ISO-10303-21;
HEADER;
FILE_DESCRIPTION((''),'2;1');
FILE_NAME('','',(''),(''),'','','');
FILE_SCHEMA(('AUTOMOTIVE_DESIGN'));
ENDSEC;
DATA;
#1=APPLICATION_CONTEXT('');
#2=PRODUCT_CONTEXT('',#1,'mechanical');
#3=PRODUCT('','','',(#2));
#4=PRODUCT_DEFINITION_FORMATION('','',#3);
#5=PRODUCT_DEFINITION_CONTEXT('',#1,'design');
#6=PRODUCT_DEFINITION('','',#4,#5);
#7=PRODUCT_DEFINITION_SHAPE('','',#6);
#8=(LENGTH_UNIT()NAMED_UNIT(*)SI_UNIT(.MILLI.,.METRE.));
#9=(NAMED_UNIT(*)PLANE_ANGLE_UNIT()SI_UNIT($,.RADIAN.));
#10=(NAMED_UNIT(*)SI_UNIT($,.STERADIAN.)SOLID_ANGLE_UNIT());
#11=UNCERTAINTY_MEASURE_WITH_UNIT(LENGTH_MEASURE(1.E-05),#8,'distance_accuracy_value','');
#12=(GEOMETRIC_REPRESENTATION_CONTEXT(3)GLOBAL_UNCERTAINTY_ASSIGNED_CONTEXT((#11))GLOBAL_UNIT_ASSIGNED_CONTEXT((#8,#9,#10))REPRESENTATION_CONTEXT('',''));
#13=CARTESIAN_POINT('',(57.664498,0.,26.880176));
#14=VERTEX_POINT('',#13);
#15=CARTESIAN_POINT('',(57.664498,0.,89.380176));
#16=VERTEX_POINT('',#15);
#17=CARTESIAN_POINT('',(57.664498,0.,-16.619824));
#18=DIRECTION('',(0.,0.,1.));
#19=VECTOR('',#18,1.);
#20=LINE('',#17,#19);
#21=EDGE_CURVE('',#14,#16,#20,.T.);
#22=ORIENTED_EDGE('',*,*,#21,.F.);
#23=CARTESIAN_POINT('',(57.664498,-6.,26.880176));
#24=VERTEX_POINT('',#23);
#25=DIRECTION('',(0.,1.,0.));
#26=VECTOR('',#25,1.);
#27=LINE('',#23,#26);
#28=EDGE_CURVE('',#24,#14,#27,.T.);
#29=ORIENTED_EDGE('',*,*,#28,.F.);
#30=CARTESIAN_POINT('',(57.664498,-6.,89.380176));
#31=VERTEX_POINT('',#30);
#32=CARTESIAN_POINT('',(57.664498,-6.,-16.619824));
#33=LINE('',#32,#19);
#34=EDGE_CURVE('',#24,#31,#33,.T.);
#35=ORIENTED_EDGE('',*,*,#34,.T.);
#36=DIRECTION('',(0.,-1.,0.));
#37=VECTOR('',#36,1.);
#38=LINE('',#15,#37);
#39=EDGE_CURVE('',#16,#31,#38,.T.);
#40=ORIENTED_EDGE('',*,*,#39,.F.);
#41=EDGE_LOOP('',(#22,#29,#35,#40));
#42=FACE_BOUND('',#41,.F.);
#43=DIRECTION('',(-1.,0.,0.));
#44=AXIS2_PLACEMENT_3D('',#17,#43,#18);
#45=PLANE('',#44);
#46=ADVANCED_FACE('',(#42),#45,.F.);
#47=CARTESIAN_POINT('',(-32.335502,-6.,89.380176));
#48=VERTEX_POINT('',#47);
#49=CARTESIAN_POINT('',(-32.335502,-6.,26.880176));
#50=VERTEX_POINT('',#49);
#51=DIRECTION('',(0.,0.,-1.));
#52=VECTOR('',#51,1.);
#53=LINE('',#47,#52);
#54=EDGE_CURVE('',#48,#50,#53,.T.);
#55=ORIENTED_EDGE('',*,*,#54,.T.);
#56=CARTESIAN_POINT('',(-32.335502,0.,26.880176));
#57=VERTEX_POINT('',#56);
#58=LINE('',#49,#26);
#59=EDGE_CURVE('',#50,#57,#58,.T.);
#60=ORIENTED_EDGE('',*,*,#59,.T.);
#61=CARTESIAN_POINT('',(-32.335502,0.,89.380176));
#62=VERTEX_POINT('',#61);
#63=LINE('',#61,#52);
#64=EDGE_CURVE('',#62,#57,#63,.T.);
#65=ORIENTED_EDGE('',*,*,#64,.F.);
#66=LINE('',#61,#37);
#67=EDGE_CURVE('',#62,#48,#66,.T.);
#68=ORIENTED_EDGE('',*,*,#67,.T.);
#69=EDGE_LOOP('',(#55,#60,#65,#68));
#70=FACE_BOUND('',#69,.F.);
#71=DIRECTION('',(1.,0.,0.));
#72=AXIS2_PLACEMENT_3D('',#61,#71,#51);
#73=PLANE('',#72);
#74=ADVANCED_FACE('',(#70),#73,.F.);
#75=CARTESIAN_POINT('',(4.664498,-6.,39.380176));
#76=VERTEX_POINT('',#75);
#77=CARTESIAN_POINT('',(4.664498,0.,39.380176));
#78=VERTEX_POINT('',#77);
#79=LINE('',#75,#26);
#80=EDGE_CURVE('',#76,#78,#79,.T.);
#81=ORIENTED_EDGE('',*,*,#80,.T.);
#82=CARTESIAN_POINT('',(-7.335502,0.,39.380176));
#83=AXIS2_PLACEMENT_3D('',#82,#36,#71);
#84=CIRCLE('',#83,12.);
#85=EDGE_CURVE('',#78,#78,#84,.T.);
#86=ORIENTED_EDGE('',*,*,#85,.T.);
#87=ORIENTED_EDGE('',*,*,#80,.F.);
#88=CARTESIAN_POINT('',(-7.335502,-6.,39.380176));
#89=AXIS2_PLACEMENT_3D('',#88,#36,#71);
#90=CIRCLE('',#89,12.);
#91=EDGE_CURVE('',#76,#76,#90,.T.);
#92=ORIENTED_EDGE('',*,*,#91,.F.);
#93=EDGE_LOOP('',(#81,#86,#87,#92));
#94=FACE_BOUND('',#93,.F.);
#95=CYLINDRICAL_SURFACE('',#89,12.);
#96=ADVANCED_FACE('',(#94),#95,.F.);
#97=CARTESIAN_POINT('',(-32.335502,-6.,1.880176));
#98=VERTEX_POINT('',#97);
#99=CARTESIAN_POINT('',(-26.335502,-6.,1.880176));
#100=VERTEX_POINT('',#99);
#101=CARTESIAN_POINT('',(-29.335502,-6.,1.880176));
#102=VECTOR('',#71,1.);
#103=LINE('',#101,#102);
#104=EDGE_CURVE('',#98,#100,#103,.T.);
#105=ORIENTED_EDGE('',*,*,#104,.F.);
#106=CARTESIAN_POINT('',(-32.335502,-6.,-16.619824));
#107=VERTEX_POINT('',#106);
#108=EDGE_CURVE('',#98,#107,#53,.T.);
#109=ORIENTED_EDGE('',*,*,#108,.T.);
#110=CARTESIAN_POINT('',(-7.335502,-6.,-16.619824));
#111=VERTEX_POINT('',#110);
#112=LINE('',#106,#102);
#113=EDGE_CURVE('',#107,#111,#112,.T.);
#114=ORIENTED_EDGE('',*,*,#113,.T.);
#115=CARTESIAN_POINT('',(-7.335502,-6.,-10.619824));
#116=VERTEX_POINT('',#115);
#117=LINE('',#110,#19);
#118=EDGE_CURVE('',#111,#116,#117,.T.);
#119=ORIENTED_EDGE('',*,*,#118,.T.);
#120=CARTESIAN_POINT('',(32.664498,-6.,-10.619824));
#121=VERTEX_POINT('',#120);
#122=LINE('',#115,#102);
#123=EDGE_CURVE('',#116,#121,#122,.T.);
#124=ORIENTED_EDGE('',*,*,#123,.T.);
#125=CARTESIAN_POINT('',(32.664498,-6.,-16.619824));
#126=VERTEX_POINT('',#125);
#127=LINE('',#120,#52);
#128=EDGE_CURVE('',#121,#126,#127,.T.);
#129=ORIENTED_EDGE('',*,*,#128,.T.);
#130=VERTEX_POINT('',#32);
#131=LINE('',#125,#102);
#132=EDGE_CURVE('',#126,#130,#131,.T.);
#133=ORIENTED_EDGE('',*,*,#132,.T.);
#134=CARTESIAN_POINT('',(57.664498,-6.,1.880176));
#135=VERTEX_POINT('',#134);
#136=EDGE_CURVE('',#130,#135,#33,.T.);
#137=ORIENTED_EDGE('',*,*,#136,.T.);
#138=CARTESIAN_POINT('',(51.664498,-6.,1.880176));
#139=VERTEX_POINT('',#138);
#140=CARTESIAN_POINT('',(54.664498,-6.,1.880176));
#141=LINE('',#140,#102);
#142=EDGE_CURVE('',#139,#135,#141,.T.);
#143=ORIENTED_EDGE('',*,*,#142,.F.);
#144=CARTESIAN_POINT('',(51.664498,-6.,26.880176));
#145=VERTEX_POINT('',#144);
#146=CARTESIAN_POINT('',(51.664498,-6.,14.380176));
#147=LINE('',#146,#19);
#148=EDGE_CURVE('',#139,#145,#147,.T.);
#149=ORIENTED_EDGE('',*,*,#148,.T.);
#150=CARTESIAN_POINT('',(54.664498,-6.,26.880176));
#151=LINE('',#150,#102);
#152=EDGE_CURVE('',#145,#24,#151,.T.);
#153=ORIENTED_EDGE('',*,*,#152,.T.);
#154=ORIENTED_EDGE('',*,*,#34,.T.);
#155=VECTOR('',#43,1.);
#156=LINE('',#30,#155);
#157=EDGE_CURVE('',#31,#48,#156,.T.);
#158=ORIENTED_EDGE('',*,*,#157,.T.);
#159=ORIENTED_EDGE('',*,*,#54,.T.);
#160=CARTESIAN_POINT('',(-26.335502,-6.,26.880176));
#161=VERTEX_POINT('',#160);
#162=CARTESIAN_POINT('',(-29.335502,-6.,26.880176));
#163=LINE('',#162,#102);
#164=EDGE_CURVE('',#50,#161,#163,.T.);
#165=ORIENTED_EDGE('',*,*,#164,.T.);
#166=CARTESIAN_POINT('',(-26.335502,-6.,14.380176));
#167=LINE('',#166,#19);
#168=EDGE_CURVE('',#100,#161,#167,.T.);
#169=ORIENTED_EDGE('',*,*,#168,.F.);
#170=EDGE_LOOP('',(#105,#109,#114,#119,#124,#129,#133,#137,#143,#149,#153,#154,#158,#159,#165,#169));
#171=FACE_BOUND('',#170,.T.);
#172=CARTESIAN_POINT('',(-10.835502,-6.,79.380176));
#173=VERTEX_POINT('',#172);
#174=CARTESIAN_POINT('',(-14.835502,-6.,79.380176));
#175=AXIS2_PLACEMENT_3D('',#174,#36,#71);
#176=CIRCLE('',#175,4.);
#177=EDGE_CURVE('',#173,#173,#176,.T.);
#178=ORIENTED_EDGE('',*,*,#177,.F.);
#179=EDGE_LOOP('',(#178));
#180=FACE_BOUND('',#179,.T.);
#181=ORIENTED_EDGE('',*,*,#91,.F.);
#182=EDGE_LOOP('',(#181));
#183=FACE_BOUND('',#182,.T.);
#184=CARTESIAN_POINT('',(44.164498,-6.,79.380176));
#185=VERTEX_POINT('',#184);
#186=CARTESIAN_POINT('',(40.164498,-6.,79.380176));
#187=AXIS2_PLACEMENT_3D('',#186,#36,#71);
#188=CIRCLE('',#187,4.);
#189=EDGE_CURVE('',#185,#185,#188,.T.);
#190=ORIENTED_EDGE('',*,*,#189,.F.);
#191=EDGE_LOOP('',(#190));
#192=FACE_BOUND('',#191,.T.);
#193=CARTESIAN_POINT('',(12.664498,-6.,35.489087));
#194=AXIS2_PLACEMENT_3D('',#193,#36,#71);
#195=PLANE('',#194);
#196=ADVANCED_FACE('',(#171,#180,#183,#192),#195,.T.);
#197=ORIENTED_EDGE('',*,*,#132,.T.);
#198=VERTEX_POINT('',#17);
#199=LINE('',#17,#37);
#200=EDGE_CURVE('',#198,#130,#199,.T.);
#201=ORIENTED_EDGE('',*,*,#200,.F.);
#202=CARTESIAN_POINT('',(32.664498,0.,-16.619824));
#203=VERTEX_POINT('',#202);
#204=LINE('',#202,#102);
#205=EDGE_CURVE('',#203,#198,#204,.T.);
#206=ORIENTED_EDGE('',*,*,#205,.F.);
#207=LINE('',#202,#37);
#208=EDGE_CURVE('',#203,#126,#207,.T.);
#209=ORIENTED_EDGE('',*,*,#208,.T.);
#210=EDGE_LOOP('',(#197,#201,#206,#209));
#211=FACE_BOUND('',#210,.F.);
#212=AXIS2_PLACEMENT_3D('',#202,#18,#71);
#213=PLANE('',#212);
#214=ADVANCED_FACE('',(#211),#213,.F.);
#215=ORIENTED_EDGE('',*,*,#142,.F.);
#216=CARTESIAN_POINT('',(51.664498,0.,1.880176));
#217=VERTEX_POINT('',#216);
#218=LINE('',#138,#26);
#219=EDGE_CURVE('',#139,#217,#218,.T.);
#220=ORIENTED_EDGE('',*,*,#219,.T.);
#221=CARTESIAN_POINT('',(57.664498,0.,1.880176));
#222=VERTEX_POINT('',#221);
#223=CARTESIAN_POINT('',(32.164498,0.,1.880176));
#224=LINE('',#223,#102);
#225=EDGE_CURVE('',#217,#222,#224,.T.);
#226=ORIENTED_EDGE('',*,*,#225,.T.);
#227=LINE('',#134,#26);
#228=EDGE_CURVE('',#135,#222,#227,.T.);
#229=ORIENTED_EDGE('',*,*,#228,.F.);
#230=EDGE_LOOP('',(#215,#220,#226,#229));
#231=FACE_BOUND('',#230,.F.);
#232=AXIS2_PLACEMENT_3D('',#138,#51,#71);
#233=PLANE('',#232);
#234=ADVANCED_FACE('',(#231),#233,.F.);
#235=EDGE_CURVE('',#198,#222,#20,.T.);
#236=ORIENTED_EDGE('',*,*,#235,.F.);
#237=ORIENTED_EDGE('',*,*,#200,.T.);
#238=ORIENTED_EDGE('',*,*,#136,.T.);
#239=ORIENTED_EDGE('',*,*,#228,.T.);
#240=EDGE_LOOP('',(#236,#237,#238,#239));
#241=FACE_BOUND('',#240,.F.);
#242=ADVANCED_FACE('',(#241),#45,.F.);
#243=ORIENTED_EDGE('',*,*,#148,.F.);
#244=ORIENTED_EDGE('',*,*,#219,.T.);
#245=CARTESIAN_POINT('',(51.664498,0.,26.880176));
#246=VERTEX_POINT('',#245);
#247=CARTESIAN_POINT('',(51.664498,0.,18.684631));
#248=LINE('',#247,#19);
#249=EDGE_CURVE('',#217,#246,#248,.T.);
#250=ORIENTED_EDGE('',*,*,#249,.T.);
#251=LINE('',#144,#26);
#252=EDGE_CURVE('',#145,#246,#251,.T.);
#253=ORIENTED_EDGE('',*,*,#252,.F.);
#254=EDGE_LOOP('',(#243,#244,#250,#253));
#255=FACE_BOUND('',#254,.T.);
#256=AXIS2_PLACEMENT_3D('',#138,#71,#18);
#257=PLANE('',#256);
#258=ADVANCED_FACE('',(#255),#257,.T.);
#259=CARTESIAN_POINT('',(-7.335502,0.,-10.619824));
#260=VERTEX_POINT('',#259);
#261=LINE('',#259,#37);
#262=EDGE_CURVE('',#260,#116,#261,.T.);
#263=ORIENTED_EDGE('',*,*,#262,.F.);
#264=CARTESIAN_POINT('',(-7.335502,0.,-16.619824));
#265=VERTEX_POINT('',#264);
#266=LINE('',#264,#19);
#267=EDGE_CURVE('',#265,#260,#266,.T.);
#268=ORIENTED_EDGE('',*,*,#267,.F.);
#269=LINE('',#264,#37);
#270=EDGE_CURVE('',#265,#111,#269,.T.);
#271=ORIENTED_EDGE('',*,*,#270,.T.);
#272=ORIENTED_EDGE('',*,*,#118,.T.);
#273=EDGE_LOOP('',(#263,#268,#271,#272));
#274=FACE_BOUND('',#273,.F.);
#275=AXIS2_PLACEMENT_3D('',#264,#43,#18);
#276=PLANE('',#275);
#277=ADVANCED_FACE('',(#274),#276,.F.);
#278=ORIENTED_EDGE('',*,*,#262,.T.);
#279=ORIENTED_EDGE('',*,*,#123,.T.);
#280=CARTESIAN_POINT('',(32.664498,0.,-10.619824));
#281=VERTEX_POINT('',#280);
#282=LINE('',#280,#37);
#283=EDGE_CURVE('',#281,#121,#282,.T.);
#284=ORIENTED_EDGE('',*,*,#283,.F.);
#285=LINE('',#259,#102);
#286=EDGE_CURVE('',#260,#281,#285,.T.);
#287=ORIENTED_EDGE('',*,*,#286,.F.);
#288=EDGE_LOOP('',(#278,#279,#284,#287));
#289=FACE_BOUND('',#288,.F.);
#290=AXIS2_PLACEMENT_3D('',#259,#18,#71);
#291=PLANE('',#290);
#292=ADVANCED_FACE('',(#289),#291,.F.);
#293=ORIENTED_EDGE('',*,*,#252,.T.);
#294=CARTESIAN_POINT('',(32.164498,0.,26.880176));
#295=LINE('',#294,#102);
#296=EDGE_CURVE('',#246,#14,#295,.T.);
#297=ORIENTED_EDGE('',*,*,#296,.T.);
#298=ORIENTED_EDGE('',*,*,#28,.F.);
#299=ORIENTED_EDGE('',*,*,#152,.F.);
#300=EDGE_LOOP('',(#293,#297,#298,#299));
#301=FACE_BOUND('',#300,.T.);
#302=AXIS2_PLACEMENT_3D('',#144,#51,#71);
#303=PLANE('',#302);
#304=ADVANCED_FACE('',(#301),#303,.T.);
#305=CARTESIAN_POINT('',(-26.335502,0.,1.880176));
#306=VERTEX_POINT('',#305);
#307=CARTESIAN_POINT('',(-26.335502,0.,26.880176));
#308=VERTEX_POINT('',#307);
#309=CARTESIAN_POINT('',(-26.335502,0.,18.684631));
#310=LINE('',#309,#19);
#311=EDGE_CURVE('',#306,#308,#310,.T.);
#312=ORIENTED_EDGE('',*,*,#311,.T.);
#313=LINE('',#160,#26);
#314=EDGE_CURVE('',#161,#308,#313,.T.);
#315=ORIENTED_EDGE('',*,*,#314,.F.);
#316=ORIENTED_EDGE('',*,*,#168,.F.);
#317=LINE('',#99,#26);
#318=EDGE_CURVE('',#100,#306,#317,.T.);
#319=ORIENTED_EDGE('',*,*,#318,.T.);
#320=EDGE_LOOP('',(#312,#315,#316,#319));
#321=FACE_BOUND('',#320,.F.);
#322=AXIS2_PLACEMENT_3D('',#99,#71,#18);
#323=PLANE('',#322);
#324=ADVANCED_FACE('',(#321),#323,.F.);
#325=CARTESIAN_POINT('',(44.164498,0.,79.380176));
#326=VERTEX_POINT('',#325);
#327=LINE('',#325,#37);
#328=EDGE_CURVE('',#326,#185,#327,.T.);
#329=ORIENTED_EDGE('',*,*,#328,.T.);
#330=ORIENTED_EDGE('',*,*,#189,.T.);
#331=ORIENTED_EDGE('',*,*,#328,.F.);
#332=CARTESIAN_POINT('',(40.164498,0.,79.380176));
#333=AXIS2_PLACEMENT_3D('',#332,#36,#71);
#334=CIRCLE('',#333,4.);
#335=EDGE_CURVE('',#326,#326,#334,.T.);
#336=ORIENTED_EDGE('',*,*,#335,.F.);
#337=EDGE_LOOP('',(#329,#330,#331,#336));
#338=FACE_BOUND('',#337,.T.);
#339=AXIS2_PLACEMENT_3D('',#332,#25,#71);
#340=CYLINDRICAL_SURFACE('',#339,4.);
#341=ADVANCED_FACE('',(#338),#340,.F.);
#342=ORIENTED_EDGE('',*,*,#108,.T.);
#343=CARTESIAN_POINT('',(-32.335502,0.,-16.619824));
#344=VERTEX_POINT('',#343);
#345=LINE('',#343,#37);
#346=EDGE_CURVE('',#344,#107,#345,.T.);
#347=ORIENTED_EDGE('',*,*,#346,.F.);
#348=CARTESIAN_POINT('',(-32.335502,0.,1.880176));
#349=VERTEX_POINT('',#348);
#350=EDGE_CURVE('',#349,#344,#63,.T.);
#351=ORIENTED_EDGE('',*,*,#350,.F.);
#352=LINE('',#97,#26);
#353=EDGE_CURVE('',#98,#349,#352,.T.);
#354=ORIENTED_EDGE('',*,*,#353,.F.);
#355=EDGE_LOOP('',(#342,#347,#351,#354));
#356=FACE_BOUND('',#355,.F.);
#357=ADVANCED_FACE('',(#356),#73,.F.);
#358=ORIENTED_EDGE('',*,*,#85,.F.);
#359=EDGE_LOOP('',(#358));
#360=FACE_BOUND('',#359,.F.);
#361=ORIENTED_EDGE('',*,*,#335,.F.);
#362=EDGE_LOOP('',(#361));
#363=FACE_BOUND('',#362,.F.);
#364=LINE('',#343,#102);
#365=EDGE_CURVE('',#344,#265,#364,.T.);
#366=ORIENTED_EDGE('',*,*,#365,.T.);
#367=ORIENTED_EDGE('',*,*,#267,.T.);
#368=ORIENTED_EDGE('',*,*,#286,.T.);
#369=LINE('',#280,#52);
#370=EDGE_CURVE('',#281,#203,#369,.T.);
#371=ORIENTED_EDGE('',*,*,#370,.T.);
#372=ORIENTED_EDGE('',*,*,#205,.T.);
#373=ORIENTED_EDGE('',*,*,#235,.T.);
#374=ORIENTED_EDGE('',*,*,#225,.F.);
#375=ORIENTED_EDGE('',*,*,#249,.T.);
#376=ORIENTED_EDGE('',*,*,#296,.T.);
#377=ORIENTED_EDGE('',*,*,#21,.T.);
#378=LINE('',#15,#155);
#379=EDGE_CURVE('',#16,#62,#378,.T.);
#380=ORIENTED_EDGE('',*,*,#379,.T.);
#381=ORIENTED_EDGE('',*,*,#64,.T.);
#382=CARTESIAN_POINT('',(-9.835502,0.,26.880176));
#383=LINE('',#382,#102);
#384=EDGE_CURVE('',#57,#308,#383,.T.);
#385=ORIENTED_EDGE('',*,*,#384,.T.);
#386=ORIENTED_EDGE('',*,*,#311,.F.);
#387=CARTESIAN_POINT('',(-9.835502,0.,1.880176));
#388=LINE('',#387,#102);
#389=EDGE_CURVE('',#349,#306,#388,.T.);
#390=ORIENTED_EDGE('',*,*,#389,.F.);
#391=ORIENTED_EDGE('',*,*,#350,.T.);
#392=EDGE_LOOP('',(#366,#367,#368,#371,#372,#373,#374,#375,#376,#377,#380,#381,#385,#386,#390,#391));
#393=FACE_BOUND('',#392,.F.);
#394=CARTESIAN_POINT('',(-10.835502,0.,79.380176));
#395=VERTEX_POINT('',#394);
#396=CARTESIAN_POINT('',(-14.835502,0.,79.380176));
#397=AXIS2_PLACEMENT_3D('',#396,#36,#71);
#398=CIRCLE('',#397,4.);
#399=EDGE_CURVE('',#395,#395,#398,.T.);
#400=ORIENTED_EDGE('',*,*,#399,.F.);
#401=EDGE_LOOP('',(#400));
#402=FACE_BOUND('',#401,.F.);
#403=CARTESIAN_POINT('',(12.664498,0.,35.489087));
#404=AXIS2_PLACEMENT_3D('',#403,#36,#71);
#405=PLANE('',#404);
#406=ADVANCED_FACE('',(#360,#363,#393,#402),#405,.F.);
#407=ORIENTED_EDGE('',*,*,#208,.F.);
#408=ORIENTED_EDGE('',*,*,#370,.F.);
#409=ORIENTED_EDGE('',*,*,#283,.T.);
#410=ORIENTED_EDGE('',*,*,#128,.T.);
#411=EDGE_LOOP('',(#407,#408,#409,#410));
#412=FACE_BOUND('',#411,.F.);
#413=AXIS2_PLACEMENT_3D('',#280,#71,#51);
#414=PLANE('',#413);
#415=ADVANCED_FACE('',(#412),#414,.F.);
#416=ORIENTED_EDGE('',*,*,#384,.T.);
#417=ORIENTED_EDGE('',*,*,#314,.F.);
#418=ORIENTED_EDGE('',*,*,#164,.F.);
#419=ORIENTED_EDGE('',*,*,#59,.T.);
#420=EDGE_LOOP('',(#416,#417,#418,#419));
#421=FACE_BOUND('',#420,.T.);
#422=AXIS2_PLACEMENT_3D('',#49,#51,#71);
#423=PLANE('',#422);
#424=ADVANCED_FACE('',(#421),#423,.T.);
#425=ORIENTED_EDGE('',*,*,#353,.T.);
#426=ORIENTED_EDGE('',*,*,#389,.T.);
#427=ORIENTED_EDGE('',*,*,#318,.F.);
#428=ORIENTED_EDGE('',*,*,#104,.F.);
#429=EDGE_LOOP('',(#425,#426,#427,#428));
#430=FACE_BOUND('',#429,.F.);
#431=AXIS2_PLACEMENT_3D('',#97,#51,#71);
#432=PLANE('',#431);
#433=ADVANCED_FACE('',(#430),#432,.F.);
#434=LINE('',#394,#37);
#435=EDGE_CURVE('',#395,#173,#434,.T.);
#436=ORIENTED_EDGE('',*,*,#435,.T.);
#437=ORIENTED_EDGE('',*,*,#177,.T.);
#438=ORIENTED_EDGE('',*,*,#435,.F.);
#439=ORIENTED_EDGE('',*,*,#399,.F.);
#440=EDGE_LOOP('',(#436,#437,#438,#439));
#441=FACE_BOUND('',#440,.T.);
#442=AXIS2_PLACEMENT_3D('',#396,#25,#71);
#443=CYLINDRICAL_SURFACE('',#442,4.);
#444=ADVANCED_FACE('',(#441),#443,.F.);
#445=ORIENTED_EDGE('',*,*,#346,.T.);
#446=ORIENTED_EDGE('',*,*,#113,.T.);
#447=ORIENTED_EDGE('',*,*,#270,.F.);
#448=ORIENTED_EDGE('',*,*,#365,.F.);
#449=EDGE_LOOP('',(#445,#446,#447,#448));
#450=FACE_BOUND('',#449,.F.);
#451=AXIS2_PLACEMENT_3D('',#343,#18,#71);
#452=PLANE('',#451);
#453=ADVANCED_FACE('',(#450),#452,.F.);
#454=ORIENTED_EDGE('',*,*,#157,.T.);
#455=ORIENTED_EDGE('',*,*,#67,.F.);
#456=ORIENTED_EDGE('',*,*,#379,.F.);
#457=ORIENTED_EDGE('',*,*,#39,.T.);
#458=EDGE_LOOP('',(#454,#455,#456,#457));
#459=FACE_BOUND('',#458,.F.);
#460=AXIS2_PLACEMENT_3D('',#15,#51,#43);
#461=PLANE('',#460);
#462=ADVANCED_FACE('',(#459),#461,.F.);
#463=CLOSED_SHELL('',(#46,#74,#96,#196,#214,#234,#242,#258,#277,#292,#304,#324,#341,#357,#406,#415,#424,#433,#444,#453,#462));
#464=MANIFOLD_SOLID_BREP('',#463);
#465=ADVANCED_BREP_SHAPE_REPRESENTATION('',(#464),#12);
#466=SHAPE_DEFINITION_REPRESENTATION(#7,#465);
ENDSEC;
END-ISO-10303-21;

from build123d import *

# Parameters (mm, degrees)
F0_R     = 4
F1_DEPTH = 6
F2_R     = 12
F2_W     = 6
F2_H     = 25
F3_DEPTH = 25


with BuildPart() as f1:
    # F0 (on Front) → F1 (new body)
    with BuildSketch(Plane.XZ):
        Polygon((57.664498, 89.380176), (-32.335502, 89.380176), (-32.335502, -10.619824), (-32.335502, -16.619824), (-7.335502, -16.619824), (-7.335502, -10.619824), (32.664498, -10.619824), (32.664498, -16.619824), (57.664498, -16.619824), (57.664498, -10.619824), align=None)
        with Locations((-14.835502, 79.380176)):
            Circle(F0_R, mode=Mode.SUBTRACT)
        with Locations((40.164498, 79.380176)):
            Circle(F0_R, mode=Mode.SUBTRACT)
    extrude(amount=F1_DEPTH)

    # F2 (on face) → F3 (cut)
    with BuildSketch(Plane.XZ.offset(6)):
        with Locations((-7.335502, 39.380176)):
            Circle(F2_R)
        with Locations((-29.335502, 14.380176)):
            Rectangle(F2_W, F2_H)
        with Locations((54.664498, 14.380176)):
            Rectangle(F2_W, F2_H)
    extrude(amount=-F3_DEPTH, mode=Mode.SUBTRACT)


solid = f1.part
